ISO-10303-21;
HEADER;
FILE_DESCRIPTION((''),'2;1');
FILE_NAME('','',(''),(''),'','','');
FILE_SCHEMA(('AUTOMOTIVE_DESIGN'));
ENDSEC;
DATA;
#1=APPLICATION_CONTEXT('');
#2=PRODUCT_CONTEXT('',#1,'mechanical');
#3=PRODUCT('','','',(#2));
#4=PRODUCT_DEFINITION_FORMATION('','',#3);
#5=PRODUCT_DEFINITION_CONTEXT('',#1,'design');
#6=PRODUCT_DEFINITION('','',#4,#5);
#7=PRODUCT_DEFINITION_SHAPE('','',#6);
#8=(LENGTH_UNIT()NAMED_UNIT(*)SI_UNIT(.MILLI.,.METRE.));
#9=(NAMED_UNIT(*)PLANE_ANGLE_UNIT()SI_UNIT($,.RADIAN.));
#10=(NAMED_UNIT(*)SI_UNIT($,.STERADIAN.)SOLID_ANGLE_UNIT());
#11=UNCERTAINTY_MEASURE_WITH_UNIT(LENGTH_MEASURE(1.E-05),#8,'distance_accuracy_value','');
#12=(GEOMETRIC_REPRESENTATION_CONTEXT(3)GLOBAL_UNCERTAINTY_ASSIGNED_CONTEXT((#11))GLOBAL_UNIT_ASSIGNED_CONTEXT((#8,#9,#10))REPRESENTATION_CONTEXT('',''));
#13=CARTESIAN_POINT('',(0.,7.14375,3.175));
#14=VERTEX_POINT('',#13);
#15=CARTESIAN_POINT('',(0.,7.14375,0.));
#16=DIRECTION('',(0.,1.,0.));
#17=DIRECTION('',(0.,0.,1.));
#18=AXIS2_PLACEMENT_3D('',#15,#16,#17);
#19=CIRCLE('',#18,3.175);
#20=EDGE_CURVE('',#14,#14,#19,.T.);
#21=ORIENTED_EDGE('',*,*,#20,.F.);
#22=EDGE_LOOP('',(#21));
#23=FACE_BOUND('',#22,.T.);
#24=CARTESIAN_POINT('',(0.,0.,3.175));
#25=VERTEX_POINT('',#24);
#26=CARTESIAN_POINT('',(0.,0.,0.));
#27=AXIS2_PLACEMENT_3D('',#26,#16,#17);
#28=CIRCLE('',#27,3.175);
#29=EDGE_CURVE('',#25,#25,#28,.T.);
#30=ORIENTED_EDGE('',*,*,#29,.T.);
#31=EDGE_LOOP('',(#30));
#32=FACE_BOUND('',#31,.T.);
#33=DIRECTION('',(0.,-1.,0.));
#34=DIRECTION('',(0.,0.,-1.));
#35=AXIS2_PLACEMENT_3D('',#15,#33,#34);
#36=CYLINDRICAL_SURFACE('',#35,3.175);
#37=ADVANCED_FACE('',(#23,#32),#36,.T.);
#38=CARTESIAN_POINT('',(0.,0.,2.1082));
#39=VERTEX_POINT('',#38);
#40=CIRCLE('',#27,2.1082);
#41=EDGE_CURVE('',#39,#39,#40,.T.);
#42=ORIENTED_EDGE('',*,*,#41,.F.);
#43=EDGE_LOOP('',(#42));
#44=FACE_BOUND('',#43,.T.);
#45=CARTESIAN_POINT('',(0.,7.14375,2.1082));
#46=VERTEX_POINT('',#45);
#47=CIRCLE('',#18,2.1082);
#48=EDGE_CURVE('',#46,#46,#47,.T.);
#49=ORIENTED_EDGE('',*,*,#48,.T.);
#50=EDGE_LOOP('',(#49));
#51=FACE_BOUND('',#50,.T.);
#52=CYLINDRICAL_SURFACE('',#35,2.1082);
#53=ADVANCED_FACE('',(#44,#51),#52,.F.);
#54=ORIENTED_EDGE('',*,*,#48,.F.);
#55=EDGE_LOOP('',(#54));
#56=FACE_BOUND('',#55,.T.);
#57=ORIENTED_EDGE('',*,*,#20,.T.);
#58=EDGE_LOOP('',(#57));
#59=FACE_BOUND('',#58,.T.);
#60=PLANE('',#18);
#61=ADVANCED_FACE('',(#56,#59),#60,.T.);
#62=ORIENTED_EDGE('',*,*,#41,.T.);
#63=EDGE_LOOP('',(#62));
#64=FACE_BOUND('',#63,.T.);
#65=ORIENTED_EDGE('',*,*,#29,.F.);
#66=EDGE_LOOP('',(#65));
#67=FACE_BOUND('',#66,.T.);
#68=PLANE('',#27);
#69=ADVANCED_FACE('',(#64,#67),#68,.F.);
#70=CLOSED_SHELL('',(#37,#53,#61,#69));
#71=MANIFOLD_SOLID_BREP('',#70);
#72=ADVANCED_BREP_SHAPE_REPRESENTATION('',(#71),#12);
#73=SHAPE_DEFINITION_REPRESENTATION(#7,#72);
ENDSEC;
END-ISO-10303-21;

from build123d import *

# Parameters (mm, degrees)
SKETCH1_R           = 3.175
SKETCH1_R_2         = 2.1082
BOSS_EXTRUDE1_DEPTH = 7.14375


with BuildPart() as part:
    # Sketch1 → Boss-Extrude1 (new body)
    with BuildSketch(Plane(origin=(0, 0, 0), x_dir=(1, 0, 0), z_dir=(0, 1, 0))):
        with Locations(Location((0, 0, 0), (0, 0, 270))):
            Circle(SKETCH1_R)
        with Locations(Location((0, 0, 0), (0, 0, 270))):
            Circle(SKETCH1_R_2, mode=Mode.SUBTRACT)
    extrude(amount=BOSS_EXTRUDE1_DEPTH)


solid = part.part
